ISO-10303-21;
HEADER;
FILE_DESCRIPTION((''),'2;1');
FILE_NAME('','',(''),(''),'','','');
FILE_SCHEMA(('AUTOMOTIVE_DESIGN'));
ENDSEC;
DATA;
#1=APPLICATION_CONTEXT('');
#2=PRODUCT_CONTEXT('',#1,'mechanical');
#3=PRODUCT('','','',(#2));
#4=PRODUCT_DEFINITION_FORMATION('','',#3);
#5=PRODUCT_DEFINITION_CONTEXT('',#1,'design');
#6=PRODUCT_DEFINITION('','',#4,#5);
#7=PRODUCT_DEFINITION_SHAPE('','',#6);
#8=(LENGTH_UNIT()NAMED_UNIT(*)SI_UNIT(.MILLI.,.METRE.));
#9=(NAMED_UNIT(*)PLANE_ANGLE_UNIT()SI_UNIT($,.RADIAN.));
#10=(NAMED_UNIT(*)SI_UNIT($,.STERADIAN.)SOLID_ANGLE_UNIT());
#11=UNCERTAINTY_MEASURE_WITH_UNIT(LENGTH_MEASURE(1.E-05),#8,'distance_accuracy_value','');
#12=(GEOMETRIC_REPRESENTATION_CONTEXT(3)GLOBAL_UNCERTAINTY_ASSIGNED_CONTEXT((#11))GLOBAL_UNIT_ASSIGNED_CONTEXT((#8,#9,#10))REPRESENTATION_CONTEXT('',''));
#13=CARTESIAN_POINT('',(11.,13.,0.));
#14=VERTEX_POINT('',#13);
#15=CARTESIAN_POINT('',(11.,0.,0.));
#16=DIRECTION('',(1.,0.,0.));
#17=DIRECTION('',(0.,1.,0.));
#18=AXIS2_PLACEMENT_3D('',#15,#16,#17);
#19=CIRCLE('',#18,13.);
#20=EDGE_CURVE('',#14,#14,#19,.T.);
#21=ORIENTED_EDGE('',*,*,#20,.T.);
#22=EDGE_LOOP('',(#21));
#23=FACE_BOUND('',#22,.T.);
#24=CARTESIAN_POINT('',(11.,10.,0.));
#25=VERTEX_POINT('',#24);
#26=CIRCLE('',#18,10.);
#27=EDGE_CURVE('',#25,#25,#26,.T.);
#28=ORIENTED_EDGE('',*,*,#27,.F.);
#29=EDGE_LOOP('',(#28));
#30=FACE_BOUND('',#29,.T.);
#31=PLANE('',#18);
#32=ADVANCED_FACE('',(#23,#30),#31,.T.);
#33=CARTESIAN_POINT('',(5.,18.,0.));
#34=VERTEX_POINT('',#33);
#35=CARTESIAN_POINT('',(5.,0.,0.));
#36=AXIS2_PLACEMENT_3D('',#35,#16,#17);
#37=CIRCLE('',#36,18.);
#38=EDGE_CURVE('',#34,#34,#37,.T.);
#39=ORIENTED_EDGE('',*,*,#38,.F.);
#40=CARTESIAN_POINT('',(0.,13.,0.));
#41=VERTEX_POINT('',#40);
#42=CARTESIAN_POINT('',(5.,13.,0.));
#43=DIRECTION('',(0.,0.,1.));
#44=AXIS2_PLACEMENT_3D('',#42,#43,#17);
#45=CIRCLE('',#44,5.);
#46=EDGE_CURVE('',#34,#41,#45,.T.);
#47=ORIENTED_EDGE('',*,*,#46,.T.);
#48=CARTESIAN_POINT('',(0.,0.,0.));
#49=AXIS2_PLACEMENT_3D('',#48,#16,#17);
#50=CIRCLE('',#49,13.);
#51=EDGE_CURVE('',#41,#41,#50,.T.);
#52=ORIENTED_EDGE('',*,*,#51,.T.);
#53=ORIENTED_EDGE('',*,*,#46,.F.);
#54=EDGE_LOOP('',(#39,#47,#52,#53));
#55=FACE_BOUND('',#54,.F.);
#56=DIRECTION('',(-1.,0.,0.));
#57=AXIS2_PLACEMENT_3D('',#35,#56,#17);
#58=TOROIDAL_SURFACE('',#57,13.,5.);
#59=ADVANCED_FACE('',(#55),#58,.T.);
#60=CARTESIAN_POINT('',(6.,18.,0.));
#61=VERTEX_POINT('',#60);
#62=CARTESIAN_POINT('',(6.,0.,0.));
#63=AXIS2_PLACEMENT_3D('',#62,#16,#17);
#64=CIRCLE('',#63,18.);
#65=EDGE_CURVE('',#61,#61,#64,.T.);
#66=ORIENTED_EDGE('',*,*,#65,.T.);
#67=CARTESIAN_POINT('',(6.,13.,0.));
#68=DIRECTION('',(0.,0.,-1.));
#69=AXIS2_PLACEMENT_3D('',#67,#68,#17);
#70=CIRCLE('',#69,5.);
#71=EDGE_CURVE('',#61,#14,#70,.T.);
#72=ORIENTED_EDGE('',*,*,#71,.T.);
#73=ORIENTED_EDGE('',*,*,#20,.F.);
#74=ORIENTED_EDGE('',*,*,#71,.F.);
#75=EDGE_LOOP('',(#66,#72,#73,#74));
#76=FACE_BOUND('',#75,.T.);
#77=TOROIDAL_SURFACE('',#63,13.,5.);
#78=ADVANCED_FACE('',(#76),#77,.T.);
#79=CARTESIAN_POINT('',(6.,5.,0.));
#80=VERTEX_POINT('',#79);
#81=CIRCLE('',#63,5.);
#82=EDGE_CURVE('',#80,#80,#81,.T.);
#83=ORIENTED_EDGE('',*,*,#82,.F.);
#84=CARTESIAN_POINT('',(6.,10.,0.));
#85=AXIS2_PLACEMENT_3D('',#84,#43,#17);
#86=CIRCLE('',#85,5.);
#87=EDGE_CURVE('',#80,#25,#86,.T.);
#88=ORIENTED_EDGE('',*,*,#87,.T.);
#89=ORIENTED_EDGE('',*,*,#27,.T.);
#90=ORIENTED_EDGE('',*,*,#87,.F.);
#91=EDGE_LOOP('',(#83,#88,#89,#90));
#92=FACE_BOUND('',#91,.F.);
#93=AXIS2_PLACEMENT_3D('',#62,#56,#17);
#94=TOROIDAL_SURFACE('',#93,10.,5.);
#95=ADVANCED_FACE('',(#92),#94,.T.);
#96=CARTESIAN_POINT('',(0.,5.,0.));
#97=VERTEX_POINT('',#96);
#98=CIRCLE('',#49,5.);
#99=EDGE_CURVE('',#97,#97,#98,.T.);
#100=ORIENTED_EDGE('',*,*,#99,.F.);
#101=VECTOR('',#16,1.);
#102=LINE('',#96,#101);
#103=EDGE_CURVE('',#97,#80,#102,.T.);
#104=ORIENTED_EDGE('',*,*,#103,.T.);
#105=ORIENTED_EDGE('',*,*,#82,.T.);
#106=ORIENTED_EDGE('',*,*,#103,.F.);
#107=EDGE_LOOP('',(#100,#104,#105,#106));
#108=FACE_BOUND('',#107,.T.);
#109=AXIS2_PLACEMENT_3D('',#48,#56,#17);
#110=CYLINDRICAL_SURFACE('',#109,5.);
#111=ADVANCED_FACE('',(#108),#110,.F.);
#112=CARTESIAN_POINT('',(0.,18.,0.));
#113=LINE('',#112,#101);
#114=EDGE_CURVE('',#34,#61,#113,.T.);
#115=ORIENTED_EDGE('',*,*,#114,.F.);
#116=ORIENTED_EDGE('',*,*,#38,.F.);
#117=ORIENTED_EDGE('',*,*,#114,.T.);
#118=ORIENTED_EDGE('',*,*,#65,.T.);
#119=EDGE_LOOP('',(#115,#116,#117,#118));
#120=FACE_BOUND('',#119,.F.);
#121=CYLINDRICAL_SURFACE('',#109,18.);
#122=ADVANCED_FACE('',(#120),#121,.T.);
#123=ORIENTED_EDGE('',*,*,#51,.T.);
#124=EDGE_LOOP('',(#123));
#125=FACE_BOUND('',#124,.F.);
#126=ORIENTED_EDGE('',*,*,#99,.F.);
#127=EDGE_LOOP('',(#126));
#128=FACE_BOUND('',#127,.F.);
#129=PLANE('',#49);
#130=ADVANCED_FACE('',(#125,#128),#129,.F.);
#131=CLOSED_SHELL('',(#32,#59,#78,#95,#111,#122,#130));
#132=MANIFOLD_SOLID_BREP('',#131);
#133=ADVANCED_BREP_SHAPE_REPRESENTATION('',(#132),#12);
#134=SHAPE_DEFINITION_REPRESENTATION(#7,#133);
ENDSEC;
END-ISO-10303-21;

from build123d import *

# Parameters (mm, degrees)
F0_R     = 18
F0_R_2   = 5
F1_DEPTH = 11
F2_R     = 5


with BuildPart() as f1:
    # F0 (on Right) → F1 (new body)
    with BuildSketch(Plane.YZ):
        Circle(F0_R)
        Circle(F0_R_2, mode=Mode.SUBTRACT)
    extrude(amount=F1_DEPTH)

    # F2
    f2_edges = [f1.edges().sort_by_distance(p)[0] for p in [
        (5.5, 18, 0),
        (0, -18, 0),
        (11, -18, 0),
        (11, -5, 0),
    ]]
    fillet(f2_edges, radius=F2_R)


solid = f1.part
